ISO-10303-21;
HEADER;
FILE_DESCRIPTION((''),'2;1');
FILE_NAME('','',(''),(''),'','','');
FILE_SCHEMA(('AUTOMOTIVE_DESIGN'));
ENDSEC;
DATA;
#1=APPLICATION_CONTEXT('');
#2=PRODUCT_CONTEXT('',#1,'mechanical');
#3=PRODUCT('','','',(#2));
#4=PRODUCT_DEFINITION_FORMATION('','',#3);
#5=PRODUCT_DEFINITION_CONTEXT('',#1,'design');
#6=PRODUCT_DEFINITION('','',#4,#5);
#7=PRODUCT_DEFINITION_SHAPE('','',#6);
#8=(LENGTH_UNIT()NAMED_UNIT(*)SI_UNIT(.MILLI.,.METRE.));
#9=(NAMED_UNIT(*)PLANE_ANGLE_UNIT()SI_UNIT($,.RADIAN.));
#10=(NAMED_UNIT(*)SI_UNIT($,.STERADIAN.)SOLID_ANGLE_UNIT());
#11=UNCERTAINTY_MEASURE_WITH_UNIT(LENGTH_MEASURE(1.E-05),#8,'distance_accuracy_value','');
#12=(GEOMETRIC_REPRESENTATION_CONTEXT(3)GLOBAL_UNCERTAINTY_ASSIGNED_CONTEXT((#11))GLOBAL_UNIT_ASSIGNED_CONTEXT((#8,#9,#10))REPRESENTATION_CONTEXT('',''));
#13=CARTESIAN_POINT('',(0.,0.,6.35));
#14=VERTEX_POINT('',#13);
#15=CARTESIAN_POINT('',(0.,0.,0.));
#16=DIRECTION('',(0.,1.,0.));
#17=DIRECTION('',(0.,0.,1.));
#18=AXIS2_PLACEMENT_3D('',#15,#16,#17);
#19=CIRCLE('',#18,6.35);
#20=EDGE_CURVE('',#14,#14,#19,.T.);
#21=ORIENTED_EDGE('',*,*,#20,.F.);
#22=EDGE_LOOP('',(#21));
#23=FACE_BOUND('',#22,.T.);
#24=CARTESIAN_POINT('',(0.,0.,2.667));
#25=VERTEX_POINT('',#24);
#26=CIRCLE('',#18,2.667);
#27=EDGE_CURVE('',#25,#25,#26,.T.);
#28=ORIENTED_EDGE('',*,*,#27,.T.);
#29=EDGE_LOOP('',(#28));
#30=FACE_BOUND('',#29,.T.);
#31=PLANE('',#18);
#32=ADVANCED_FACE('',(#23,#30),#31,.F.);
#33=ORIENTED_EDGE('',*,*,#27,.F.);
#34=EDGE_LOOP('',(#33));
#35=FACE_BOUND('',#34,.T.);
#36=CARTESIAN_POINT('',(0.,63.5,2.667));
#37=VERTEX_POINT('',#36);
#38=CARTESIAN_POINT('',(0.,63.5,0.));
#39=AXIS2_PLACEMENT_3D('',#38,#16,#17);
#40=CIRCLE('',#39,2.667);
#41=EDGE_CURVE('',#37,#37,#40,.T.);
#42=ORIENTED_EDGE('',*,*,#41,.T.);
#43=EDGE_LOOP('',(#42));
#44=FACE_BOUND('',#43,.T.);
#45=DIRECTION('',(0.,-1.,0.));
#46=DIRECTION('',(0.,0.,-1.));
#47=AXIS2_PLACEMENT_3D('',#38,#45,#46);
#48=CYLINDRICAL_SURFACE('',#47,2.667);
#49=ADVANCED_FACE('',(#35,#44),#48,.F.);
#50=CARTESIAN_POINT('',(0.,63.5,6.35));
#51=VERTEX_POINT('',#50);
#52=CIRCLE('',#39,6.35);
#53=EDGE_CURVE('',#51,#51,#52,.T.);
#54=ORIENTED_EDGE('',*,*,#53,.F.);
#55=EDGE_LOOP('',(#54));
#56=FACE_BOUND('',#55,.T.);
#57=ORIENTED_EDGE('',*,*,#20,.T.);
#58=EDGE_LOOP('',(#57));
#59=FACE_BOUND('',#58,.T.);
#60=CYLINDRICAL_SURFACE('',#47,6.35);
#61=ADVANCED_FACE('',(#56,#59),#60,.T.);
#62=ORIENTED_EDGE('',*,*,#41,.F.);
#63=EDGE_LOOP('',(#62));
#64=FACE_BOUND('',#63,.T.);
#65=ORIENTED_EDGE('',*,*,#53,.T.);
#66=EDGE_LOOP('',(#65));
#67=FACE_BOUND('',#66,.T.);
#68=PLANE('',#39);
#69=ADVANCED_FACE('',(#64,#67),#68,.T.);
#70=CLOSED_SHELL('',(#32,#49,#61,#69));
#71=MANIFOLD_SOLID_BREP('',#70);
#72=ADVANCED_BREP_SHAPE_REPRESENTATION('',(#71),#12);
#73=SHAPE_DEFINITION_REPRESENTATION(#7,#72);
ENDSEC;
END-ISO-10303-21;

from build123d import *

# Parameters (mm, degrees)
SKETCH1_R           = 6.35
SKETCH1_R_2         = 2.667
BOSS_EXTRUDE1_DEPTH = 63.5


with BuildPart() as part:
    # Sketch1 → Boss-Extrude1 (new body)
    with BuildSketch(Plane(origin=(0, 0, 0), x_dir=(1, 0, 0), z_dir=(0, 1, 0))):
        Circle(SKETCH1_R)
        Circle(SKETCH1_R_2, mode=Mode.SUBTRACT)
    extrude(amount=BOSS_EXTRUDE1_DEPTH)


solid = part.part
